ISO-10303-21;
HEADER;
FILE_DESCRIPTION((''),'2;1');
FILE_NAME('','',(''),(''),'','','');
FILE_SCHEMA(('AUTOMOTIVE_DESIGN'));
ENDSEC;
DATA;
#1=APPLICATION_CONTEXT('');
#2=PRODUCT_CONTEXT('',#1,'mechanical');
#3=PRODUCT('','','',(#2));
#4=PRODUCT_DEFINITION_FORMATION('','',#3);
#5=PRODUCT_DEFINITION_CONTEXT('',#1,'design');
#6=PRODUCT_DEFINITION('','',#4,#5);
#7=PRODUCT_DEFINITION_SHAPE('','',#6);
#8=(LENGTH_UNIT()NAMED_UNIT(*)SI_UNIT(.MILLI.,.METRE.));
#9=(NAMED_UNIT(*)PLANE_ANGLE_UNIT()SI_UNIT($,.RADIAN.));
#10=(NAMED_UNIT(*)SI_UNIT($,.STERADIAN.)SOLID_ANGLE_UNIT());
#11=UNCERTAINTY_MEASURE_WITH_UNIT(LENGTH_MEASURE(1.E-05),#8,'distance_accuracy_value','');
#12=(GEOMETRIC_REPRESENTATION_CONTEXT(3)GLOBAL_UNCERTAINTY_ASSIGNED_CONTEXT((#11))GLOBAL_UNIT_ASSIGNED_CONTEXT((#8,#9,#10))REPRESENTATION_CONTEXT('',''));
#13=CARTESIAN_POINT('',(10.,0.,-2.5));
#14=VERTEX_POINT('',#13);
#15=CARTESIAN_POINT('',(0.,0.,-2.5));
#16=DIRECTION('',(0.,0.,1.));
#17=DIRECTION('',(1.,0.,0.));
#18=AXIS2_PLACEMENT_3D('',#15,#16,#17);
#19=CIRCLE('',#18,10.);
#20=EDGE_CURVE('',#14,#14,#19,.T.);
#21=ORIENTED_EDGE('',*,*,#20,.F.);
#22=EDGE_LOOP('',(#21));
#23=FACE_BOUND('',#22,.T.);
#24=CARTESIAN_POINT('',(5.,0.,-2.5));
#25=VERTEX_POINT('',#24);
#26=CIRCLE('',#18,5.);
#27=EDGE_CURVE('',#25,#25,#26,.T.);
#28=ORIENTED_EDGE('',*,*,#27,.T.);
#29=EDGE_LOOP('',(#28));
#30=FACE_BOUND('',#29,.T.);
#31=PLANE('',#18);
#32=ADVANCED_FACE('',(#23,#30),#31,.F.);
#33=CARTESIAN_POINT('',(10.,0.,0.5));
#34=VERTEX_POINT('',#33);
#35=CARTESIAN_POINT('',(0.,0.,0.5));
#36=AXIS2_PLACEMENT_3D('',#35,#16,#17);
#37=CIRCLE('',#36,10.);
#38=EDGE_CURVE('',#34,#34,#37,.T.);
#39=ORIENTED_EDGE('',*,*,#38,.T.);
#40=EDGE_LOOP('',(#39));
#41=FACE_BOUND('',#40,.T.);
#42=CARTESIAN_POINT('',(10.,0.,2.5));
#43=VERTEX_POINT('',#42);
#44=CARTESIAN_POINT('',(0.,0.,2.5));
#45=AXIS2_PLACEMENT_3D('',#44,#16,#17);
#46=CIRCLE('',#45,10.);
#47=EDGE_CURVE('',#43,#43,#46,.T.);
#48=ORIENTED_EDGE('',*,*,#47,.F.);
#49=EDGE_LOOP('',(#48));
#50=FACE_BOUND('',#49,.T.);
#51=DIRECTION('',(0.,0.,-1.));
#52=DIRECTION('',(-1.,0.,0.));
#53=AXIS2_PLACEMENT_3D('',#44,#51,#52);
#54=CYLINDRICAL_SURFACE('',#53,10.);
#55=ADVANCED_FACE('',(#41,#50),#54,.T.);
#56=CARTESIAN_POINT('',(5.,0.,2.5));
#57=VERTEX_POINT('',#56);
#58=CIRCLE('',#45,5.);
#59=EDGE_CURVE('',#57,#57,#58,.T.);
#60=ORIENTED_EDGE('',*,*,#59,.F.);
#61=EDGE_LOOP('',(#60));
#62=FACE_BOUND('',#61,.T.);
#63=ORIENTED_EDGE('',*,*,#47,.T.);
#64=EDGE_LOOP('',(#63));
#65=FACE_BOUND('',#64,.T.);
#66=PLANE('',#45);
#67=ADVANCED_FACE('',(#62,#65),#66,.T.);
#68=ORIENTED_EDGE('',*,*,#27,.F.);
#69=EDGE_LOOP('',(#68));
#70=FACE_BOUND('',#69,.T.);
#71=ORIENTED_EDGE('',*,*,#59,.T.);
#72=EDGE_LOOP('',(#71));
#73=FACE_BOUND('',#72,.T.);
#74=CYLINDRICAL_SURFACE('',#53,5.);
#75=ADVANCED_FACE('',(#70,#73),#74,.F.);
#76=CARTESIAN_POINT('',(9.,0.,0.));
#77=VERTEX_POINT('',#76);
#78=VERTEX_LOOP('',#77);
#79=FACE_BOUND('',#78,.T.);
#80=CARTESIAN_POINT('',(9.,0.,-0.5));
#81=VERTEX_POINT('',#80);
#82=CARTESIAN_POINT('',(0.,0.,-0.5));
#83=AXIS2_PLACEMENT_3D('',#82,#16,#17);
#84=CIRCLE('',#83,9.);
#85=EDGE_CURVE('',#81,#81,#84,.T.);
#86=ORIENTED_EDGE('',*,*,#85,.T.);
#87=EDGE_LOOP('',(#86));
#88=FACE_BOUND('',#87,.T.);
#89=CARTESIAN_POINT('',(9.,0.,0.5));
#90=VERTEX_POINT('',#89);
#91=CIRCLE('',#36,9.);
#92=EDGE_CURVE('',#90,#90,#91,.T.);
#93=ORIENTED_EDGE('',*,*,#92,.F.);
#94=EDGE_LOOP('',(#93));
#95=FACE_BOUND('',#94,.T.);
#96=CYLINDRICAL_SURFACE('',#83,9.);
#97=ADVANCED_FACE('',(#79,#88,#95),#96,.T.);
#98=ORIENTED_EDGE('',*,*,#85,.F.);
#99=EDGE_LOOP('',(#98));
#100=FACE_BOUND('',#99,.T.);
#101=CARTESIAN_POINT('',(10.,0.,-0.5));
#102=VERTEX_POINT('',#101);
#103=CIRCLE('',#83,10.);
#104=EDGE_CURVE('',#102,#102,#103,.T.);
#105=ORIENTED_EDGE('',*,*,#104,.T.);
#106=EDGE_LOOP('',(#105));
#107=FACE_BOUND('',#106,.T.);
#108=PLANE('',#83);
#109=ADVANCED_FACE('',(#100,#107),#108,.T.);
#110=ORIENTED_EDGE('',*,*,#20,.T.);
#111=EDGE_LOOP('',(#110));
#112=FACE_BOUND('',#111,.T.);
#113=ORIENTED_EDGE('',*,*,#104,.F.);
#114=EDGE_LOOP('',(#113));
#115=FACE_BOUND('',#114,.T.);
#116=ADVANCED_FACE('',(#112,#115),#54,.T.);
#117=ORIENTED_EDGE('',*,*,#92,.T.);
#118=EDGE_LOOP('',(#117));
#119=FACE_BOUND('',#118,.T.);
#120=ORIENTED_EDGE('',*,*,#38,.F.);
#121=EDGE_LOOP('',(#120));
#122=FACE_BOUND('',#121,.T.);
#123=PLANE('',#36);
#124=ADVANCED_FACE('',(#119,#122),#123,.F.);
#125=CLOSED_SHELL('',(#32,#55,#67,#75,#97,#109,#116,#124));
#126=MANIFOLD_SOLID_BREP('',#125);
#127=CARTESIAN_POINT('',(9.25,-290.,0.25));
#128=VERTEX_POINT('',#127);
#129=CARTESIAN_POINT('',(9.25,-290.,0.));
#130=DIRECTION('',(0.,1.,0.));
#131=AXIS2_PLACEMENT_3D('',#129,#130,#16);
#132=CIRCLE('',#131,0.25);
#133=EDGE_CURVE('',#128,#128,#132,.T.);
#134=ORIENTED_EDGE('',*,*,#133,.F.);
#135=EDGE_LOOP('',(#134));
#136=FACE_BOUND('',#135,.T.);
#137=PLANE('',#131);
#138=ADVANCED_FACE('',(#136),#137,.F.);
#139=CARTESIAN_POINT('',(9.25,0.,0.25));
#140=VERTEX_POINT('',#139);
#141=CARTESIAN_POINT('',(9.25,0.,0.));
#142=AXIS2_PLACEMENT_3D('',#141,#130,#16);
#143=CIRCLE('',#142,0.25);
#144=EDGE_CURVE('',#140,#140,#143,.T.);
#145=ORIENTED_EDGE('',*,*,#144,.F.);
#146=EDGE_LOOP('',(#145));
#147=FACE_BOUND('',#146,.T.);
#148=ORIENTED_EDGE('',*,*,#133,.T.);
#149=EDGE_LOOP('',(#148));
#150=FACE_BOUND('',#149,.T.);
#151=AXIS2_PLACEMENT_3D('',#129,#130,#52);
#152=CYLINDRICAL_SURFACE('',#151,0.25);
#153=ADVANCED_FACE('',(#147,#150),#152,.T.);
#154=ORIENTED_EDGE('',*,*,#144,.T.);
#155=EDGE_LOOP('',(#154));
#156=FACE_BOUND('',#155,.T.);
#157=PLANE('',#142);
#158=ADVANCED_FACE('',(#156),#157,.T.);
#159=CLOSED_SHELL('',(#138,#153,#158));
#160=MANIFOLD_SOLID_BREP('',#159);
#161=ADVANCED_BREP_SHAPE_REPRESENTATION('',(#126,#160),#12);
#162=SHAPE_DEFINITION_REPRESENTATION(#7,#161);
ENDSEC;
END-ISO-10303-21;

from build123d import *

# Parameters (mm, degrees)
SKETCH1_R           = 10
SKETCH1_R_2         = 5
BOSS_EXTRUDE1_DEPTH = 2.5
SKETCH2_R           = 10
SKETCH2_R_2         = 9
CUT_EXTRUDE1_DEPTH  = 0.5
SKETCH4_R           = 0.25


with BuildPart() as part:
    # Sketch1 → Boss-Extrude1 (new body, symmetric)
    with BuildSketch(Plane.XY):
        Circle(SKETCH1_R)
        Circle(SKETCH1_R_2, mode=Mode.SUBTRACT)
    extrude(amount=BOSS_EXTRUDE1_DEPTH, both=True)

    # Sketch2 → Cut-Extrude1 (cut, symmetric)
    with BuildSketch(Plane.XY):
        Circle(SKETCH2_R)
        Circle(SKETCH2_R_2, mode=Mode.SUBTRACT)
    extrude(amount=CUT_EXTRUDE1_DEPTH, both=True, mode=Mode.SUBTRACT)


with BuildPart() as body_2:
    # Sweep1: sweep along a path in Sketch3
    with BuildLine(Plane.XY) as sweep1_path:
        Line((9.25, 0), (9.25, -290))
    # Sketch4 → Sweep1 (sweep)
    with BuildSketch(Plane(origin=(0, 0, 0), x_dir=(1, 0, 0), z_dir=(0, 1, 0))):
        with Locations((9.25, 0)):
            Circle(SKETCH4_R)
    sweep(path=sweep1_path.line)


solid = Compound([part.part, body_2.part])
